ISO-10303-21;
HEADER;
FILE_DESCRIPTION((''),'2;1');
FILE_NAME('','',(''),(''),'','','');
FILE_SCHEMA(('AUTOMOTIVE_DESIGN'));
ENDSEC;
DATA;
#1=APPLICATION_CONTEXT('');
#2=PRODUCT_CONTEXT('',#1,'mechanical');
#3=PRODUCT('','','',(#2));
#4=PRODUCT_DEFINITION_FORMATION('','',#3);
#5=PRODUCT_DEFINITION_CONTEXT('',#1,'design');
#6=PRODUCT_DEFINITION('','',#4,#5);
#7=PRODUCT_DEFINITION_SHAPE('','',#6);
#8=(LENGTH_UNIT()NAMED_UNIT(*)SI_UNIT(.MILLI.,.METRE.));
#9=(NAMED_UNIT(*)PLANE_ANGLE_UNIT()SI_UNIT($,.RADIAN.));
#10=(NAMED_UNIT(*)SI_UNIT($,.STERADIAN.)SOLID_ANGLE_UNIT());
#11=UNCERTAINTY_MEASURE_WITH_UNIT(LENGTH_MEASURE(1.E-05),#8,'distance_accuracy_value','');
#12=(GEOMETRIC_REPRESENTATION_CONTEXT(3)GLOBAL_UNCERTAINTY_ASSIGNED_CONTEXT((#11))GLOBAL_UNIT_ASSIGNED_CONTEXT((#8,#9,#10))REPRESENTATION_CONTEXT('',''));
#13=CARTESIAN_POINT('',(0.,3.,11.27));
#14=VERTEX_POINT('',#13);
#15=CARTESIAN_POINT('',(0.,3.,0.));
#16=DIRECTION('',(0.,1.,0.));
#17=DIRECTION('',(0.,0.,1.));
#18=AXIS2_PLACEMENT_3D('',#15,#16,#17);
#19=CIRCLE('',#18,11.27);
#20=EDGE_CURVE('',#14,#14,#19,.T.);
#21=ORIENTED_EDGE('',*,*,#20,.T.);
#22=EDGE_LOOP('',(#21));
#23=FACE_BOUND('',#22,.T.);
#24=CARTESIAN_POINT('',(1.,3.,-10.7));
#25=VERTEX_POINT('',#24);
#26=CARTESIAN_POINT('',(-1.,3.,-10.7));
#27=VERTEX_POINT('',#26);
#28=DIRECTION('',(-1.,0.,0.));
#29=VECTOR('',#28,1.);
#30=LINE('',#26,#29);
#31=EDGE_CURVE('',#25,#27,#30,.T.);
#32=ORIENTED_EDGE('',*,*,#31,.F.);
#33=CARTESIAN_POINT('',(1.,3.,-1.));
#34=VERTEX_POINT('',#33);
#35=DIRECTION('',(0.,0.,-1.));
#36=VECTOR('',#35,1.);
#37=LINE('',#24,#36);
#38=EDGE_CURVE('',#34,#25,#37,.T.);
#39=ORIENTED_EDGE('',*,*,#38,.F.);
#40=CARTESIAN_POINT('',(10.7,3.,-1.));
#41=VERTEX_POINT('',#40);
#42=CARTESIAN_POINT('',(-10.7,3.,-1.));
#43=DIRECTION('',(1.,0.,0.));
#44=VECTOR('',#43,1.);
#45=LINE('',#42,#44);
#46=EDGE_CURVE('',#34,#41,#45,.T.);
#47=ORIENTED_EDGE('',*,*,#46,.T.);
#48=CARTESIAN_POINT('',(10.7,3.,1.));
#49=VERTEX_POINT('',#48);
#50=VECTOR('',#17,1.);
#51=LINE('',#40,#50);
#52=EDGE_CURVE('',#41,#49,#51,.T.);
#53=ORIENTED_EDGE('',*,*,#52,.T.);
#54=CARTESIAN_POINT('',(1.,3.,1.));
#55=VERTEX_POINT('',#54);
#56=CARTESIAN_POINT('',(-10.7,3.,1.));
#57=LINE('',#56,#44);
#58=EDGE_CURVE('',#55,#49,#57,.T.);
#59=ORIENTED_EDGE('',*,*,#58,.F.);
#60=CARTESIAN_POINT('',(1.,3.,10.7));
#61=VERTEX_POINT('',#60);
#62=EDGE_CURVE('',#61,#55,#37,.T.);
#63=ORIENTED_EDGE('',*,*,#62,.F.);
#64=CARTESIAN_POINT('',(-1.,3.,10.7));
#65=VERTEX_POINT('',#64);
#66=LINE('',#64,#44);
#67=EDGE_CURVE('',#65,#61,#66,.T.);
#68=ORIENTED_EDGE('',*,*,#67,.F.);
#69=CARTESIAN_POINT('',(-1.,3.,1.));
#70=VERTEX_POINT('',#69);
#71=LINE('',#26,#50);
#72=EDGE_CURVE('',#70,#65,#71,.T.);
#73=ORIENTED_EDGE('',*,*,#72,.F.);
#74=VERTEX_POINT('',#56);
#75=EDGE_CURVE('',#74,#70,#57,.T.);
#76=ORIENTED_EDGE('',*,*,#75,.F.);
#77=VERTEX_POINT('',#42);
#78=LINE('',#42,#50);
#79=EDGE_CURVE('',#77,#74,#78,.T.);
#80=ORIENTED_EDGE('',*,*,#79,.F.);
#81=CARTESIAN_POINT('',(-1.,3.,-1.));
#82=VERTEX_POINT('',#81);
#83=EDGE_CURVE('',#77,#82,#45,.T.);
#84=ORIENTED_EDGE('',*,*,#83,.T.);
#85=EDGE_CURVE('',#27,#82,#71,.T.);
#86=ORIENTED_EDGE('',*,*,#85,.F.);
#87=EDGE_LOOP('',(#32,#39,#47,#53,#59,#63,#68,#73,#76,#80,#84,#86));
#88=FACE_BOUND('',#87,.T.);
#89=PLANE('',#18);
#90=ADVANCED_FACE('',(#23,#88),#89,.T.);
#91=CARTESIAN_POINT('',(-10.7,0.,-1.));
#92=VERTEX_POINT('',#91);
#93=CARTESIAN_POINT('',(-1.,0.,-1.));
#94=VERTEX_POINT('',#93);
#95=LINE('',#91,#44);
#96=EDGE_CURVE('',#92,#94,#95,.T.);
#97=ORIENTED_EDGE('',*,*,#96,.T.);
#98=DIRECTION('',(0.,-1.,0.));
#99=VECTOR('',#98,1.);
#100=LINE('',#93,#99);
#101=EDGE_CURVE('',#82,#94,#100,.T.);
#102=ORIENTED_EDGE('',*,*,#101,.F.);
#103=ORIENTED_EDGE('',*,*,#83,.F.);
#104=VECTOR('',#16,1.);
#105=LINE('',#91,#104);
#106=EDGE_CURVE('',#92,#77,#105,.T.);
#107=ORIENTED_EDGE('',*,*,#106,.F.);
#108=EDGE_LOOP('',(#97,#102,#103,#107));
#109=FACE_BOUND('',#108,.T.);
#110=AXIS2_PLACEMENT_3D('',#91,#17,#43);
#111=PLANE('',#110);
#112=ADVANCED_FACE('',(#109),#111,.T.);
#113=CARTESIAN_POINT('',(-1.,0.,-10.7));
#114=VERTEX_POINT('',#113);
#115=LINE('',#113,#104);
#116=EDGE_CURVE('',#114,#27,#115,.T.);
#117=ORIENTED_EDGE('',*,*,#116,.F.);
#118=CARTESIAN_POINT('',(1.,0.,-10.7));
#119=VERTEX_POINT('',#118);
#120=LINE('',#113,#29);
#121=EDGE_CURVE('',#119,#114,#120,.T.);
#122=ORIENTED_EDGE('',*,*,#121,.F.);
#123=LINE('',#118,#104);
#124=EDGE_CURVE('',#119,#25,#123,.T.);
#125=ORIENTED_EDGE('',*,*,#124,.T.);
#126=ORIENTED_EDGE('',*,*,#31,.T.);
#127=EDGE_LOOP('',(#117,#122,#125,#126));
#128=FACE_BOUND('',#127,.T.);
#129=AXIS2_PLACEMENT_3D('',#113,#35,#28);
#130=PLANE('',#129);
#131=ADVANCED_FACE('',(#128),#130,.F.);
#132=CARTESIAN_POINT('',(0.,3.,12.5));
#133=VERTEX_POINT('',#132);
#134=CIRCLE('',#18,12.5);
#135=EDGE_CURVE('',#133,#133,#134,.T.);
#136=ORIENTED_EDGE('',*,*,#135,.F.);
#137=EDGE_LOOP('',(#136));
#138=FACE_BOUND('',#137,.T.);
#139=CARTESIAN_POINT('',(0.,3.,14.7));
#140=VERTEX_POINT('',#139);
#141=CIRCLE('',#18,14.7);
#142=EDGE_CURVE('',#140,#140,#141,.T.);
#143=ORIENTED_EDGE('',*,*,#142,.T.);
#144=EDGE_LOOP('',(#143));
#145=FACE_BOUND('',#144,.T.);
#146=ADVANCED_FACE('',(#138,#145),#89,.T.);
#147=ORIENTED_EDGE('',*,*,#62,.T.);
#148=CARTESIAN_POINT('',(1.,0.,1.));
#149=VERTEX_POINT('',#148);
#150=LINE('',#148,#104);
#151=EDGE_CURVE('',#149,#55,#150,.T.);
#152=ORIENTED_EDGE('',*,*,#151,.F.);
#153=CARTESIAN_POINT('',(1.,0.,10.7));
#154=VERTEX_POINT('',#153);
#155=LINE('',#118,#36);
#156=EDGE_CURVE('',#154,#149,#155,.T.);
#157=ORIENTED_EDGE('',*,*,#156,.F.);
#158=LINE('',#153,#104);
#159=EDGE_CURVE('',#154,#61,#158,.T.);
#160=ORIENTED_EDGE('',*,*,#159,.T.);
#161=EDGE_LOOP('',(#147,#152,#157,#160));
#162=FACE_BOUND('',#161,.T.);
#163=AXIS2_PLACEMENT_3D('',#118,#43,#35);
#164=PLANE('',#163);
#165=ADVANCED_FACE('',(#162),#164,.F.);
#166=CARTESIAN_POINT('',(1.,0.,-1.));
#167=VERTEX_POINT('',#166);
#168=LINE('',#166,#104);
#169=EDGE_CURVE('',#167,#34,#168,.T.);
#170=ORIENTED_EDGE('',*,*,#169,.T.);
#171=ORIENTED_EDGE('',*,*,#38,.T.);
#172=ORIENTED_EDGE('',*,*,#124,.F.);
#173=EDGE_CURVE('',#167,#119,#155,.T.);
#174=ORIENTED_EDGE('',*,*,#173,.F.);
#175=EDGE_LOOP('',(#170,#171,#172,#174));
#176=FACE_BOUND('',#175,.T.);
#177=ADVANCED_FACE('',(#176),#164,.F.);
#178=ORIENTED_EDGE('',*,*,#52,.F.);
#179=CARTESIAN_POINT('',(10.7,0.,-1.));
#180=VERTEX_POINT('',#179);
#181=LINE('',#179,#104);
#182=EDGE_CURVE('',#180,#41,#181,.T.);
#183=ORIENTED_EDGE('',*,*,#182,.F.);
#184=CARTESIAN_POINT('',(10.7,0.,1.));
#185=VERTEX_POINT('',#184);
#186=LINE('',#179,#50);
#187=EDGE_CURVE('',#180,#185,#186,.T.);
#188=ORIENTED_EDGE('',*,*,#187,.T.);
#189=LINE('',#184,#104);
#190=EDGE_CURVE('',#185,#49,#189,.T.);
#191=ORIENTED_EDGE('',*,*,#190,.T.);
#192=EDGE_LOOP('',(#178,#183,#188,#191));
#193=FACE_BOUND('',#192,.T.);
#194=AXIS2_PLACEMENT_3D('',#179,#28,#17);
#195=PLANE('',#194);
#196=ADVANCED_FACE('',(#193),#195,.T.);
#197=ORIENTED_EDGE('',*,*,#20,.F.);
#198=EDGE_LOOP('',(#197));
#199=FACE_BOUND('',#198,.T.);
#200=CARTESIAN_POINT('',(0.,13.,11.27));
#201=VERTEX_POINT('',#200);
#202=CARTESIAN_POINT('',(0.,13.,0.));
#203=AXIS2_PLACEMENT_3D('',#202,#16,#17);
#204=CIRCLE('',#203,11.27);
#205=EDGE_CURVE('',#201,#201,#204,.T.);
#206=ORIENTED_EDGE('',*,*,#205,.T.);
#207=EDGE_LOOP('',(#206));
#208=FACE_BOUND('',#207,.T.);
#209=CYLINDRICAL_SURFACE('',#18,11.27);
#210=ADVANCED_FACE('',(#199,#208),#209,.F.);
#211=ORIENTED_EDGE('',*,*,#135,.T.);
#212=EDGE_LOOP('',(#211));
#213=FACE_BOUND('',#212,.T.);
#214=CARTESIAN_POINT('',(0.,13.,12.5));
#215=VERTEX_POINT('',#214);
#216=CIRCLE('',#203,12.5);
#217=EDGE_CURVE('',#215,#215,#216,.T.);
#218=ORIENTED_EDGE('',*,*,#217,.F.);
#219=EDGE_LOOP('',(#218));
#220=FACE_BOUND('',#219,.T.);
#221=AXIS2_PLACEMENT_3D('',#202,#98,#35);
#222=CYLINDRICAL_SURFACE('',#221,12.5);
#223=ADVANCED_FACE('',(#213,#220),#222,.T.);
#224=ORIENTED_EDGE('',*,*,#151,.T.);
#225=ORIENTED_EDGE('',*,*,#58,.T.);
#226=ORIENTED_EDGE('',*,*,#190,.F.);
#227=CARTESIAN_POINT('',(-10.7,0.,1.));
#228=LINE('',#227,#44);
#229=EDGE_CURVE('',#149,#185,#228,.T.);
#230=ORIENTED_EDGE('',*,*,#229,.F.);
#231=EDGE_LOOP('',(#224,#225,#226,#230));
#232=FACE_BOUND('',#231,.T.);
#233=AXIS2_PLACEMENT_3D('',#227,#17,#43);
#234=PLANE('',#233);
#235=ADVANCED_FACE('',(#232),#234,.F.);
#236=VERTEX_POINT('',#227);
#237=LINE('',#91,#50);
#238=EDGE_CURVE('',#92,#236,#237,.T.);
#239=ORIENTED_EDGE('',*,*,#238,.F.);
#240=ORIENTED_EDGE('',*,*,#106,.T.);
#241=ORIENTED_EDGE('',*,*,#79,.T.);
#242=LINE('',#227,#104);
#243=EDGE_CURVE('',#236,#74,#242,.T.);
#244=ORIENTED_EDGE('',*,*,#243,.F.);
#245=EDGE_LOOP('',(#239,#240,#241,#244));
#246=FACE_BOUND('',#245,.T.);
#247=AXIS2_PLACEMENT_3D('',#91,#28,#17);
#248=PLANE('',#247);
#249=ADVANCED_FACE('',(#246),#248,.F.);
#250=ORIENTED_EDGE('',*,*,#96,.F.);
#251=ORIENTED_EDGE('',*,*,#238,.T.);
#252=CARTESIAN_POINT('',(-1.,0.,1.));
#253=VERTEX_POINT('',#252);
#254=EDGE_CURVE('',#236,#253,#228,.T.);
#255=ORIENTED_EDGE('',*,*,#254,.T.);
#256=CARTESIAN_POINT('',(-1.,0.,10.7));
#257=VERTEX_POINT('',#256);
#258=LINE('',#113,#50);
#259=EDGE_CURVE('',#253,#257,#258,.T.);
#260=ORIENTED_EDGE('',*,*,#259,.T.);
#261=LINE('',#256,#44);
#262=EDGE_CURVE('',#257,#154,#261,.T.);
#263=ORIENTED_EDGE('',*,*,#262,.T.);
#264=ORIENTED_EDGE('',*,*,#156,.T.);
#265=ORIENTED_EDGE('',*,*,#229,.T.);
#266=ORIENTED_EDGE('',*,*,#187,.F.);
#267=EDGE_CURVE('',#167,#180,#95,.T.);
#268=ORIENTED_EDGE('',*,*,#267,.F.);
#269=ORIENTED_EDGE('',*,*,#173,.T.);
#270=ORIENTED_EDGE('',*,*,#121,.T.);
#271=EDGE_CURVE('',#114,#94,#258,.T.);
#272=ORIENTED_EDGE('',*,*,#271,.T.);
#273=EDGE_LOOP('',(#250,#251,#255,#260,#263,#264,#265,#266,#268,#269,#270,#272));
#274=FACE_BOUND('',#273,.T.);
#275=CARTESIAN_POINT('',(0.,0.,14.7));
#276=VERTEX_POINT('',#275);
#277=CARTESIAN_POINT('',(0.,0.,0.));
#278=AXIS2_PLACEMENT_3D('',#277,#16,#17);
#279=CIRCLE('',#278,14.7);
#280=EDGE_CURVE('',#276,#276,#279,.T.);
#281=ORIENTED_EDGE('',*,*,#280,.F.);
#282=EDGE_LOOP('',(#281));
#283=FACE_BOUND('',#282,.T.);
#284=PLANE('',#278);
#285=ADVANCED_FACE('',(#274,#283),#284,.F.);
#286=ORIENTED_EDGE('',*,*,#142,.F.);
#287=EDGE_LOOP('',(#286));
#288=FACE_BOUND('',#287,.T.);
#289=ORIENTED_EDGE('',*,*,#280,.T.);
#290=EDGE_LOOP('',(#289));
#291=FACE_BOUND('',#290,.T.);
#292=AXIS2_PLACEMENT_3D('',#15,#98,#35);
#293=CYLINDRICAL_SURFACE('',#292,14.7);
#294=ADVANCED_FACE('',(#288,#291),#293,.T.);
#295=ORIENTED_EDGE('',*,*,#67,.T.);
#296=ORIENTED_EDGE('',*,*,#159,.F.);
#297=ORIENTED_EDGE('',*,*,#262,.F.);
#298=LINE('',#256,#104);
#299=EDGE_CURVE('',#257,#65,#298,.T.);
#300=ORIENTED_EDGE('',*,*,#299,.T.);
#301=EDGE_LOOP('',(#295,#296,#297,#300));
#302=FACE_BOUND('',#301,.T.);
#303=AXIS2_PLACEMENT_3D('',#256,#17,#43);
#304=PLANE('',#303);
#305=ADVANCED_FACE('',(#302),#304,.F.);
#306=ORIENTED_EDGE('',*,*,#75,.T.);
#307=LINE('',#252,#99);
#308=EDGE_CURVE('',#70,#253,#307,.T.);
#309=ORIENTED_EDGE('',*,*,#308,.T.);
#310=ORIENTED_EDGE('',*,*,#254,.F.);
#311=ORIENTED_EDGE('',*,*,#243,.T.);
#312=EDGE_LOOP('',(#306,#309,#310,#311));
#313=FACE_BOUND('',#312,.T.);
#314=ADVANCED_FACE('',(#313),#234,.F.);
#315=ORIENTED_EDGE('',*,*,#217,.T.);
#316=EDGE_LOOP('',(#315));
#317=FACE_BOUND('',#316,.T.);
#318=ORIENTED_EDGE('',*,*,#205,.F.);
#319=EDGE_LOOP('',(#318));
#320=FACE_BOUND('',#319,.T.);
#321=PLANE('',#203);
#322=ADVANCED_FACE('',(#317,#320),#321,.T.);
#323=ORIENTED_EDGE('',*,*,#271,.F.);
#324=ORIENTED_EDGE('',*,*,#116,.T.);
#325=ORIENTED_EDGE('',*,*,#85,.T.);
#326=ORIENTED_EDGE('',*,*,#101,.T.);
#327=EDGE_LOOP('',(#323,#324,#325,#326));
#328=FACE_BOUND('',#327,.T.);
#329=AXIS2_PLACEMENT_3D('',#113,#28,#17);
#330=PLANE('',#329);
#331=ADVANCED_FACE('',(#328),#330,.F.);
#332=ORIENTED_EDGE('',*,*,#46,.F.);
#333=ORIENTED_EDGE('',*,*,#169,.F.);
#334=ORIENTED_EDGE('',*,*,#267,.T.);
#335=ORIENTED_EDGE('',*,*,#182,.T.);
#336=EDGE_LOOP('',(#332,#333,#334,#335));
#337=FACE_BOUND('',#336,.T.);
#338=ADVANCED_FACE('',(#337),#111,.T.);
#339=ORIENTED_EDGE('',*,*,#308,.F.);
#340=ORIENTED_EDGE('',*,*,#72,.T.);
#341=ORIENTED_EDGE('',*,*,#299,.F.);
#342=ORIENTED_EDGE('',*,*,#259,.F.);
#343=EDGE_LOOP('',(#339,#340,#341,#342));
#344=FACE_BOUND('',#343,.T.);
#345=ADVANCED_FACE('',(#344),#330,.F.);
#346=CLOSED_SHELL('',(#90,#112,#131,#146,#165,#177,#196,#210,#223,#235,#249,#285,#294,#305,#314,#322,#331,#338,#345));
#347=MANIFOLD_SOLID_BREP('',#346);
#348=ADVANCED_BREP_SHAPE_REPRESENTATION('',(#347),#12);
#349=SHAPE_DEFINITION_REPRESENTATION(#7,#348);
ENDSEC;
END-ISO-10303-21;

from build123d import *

# Parameters (mm, degrees)
SKETCH1_R           = 14.7
BOSS_EXTRUDE1_DEPTH = 3
SKETCH3_W           = 21.4
SKETCH3_H           = 2
CUT_EXTRUDE1_DEPTH  = 3
SKETCH4_W           = 2
SKETCH4_H           = 21.4
CUT_EXTRUDE2_DEPTH  = 3
SKETCH5_R           = 12.5
BOSS_EXTRUDE3_DEPTH = 10
SKETCH6_R           = 11.27
CUT_EXTRUDE3_DEPTH  = 10


with BuildPart() as part:
    # Sketch1 → Boss-Extrude1 (new body)
    with BuildSketch(Plane(origin=(0, 0, 0), x_dir=(1, 0, 0), z_dir=(0, 1, 0))):
        with Locations(Location((0, 0, 0), (0, 0, 270))):
            Circle(SKETCH1_R)
    extrude(amount=BOSS_EXTRUDE1_DEPTH)

    # Sketch3 → Cut-Extrude1 (cut)
    with BuildSketch(Plane(origin=(0, 3, 0), x_dir=(1, 0, 0), z_dir=(0, 1, 0))):
        Rectangle(SKETCH3_W, SKETCH3_H)
    extrude(amount=-CUT_EXTRUDE1_DEPTH, mode=Mode.SUBTRACT)

    # Sketch4 → Cut-Extrude2 (cut)
    with BuildSketch(Plane(origin=(0, 3, 0), x_dir=(1, 0, 0), z_dir=(0, 1, 0))):
        Rectangle(SKETCH4_W, SKETCH4_H)
    extrude(amount=-CUT_EXTRUDE2_DEPTH, mode=Mode.SUBTRACT)

    # Sketch5 → Boss-Extrude3 (add)
    with BuildSketch(Plane(origin=(0, 3, 0), x_dir=(1, 0, 0), z_dir=(0, 1, 0))):
        with Locations(Location((0, 0, 0), (0, 0, 270))):
            Circle(SKETCH5_R)
    extrude(amount=BOSS_EXTRUDE3_DEPTH)

    # Sketch6 → Cut-Extrude3 (cut)
    with BuildSketch(Plane(origin=(0, 13, 0), x_dir=(1, 0, 0), z_dir=(0, 1, 0))):
        with Locations(Location((0, 0, 0), (0, 0, 270))):
            Circle(SKETCH6_R)
    extrude(amount=-CUT_EXTRUDE3_DEPTH, mode=Mode.SUBTRACT)


solid = part.part
